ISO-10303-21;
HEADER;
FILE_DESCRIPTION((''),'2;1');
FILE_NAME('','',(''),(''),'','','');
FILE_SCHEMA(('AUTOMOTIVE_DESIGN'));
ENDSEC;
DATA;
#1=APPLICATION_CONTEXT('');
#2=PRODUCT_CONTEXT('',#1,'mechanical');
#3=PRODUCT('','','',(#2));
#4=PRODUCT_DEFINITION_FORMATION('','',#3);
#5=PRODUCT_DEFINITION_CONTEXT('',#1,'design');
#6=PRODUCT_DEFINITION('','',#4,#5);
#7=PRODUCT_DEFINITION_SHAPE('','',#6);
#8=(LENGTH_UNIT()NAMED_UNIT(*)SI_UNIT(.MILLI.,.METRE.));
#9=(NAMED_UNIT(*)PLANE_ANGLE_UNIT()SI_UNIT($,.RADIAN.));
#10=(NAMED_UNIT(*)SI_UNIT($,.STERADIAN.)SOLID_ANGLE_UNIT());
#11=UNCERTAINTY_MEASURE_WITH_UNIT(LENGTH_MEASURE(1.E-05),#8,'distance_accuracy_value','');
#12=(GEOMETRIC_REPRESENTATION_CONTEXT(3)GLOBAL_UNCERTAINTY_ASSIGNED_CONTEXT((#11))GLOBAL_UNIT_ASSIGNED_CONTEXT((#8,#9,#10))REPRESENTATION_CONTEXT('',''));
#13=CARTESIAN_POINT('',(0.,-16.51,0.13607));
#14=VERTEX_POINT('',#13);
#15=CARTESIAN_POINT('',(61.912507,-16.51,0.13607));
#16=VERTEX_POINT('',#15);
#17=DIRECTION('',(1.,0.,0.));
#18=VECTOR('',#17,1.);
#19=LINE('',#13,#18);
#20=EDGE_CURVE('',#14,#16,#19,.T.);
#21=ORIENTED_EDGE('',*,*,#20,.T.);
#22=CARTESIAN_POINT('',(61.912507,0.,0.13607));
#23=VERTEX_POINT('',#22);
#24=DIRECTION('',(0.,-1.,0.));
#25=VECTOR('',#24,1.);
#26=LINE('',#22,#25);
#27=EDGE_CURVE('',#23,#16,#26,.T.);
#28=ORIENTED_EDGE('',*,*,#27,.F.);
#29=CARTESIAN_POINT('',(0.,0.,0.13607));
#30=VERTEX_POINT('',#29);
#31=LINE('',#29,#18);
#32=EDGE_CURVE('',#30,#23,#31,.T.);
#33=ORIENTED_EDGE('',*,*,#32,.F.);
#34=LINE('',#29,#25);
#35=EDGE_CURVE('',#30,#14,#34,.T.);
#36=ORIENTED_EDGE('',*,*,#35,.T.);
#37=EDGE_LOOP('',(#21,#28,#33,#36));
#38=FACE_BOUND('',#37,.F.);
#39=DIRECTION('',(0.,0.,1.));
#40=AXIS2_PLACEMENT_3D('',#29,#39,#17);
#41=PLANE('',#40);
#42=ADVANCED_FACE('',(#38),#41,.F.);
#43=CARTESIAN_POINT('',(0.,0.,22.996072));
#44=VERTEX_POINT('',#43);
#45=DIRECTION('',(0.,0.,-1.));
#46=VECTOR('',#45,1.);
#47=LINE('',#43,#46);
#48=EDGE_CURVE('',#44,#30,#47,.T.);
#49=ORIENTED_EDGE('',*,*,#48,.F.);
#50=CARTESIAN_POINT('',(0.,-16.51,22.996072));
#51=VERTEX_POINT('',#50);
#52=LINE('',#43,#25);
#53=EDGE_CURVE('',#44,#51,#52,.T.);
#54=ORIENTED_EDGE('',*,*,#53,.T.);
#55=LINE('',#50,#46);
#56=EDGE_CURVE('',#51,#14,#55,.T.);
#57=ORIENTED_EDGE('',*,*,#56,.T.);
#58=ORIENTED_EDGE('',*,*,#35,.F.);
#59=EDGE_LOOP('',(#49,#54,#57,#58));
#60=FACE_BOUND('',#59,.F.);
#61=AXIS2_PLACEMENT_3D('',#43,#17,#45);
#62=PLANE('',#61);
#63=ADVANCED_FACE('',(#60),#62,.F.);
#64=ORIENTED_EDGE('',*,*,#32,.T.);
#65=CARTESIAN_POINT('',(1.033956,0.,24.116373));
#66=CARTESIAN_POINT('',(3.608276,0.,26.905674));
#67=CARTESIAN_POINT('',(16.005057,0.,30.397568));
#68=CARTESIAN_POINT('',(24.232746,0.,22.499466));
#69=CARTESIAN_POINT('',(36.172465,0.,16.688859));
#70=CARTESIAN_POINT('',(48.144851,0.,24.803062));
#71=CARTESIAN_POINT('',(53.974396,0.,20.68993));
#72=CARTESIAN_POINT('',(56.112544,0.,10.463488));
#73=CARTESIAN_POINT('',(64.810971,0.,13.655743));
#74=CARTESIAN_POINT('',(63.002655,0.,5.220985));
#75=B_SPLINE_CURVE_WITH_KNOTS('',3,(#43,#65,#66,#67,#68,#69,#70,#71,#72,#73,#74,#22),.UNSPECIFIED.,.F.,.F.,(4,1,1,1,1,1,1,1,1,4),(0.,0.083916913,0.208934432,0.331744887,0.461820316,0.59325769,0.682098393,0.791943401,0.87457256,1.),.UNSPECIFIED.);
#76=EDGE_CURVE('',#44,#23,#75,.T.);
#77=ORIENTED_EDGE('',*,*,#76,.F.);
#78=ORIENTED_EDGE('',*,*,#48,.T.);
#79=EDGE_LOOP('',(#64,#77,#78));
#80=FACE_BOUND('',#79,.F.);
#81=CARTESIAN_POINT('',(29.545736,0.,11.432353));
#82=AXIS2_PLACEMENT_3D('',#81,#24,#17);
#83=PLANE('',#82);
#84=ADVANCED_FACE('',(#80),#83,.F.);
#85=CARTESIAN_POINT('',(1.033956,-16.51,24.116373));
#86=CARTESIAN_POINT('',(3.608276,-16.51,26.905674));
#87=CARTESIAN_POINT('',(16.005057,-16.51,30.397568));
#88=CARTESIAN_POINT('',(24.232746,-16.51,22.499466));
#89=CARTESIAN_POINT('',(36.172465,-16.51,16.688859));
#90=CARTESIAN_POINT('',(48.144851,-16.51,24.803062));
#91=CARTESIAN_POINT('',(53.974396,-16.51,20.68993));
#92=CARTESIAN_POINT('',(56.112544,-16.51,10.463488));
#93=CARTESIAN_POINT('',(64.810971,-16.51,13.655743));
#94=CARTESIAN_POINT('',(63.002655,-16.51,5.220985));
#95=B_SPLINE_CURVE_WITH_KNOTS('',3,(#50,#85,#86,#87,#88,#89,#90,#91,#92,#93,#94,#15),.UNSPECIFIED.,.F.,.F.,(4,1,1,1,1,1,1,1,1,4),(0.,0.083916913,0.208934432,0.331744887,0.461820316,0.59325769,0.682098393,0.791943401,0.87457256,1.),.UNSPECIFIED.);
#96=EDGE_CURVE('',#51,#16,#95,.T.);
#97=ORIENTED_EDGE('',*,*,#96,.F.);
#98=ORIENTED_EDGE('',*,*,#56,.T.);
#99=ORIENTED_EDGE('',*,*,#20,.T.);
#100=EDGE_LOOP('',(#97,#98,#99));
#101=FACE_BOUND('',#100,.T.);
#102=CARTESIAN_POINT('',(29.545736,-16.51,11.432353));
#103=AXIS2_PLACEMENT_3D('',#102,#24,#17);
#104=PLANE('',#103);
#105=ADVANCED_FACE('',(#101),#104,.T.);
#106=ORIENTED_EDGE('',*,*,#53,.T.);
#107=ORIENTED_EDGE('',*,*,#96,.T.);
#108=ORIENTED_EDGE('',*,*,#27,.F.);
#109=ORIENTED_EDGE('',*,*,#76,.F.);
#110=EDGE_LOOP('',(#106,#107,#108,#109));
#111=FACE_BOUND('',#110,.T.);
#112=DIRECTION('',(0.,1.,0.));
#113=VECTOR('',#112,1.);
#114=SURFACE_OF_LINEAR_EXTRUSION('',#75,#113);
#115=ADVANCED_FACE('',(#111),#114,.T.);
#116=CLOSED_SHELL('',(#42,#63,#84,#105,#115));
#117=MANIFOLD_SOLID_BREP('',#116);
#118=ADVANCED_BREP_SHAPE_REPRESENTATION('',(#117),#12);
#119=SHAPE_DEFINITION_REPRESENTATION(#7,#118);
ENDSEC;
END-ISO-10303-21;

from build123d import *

# Parameters (mm, degrees)
F1_DEPTH = 16.51


with BuildPart() as f1:
    # F0 (on Front) → F1 (new body)
    with BuildSketch(Plane.XZ):
        with BuildLine():
            Line((0, 22.9960717261), (0, 0.1360699971))
            Line((0, 0.1360699971), (61.9125068188, 0.1360699971))
            add(Edge.make_bspline(
                [(0, 22.9960717261), (1.0339559385, 24.1163729616), (3.6082760335, 26.9056736229), (16.0050568531, 30.3975676045), (24.2327455042, 22.4994659992), (36.1724653879, 16.6888588649), (48.144850964, 24.8030618473), (53.9743956254, 20.6899299193), (56.1125435321, 10.4634876812), (64.8109705336, 13.6557432893), (63.0026545978, 5.2209850634), (61.9125068188, 0.1360699971)],
                knots=[0, 0, 0, 0, 0.0839169135, 0.208934432, 0.3317448874, 0.4618203159, 0.5932576898, 0.6820983931, 0.7919434011, 0.8745725596, 1, 1, 1, 1], degree=3))
        make_face()
    extrude(amount=F1_DEPTH)


solid = f1.part
